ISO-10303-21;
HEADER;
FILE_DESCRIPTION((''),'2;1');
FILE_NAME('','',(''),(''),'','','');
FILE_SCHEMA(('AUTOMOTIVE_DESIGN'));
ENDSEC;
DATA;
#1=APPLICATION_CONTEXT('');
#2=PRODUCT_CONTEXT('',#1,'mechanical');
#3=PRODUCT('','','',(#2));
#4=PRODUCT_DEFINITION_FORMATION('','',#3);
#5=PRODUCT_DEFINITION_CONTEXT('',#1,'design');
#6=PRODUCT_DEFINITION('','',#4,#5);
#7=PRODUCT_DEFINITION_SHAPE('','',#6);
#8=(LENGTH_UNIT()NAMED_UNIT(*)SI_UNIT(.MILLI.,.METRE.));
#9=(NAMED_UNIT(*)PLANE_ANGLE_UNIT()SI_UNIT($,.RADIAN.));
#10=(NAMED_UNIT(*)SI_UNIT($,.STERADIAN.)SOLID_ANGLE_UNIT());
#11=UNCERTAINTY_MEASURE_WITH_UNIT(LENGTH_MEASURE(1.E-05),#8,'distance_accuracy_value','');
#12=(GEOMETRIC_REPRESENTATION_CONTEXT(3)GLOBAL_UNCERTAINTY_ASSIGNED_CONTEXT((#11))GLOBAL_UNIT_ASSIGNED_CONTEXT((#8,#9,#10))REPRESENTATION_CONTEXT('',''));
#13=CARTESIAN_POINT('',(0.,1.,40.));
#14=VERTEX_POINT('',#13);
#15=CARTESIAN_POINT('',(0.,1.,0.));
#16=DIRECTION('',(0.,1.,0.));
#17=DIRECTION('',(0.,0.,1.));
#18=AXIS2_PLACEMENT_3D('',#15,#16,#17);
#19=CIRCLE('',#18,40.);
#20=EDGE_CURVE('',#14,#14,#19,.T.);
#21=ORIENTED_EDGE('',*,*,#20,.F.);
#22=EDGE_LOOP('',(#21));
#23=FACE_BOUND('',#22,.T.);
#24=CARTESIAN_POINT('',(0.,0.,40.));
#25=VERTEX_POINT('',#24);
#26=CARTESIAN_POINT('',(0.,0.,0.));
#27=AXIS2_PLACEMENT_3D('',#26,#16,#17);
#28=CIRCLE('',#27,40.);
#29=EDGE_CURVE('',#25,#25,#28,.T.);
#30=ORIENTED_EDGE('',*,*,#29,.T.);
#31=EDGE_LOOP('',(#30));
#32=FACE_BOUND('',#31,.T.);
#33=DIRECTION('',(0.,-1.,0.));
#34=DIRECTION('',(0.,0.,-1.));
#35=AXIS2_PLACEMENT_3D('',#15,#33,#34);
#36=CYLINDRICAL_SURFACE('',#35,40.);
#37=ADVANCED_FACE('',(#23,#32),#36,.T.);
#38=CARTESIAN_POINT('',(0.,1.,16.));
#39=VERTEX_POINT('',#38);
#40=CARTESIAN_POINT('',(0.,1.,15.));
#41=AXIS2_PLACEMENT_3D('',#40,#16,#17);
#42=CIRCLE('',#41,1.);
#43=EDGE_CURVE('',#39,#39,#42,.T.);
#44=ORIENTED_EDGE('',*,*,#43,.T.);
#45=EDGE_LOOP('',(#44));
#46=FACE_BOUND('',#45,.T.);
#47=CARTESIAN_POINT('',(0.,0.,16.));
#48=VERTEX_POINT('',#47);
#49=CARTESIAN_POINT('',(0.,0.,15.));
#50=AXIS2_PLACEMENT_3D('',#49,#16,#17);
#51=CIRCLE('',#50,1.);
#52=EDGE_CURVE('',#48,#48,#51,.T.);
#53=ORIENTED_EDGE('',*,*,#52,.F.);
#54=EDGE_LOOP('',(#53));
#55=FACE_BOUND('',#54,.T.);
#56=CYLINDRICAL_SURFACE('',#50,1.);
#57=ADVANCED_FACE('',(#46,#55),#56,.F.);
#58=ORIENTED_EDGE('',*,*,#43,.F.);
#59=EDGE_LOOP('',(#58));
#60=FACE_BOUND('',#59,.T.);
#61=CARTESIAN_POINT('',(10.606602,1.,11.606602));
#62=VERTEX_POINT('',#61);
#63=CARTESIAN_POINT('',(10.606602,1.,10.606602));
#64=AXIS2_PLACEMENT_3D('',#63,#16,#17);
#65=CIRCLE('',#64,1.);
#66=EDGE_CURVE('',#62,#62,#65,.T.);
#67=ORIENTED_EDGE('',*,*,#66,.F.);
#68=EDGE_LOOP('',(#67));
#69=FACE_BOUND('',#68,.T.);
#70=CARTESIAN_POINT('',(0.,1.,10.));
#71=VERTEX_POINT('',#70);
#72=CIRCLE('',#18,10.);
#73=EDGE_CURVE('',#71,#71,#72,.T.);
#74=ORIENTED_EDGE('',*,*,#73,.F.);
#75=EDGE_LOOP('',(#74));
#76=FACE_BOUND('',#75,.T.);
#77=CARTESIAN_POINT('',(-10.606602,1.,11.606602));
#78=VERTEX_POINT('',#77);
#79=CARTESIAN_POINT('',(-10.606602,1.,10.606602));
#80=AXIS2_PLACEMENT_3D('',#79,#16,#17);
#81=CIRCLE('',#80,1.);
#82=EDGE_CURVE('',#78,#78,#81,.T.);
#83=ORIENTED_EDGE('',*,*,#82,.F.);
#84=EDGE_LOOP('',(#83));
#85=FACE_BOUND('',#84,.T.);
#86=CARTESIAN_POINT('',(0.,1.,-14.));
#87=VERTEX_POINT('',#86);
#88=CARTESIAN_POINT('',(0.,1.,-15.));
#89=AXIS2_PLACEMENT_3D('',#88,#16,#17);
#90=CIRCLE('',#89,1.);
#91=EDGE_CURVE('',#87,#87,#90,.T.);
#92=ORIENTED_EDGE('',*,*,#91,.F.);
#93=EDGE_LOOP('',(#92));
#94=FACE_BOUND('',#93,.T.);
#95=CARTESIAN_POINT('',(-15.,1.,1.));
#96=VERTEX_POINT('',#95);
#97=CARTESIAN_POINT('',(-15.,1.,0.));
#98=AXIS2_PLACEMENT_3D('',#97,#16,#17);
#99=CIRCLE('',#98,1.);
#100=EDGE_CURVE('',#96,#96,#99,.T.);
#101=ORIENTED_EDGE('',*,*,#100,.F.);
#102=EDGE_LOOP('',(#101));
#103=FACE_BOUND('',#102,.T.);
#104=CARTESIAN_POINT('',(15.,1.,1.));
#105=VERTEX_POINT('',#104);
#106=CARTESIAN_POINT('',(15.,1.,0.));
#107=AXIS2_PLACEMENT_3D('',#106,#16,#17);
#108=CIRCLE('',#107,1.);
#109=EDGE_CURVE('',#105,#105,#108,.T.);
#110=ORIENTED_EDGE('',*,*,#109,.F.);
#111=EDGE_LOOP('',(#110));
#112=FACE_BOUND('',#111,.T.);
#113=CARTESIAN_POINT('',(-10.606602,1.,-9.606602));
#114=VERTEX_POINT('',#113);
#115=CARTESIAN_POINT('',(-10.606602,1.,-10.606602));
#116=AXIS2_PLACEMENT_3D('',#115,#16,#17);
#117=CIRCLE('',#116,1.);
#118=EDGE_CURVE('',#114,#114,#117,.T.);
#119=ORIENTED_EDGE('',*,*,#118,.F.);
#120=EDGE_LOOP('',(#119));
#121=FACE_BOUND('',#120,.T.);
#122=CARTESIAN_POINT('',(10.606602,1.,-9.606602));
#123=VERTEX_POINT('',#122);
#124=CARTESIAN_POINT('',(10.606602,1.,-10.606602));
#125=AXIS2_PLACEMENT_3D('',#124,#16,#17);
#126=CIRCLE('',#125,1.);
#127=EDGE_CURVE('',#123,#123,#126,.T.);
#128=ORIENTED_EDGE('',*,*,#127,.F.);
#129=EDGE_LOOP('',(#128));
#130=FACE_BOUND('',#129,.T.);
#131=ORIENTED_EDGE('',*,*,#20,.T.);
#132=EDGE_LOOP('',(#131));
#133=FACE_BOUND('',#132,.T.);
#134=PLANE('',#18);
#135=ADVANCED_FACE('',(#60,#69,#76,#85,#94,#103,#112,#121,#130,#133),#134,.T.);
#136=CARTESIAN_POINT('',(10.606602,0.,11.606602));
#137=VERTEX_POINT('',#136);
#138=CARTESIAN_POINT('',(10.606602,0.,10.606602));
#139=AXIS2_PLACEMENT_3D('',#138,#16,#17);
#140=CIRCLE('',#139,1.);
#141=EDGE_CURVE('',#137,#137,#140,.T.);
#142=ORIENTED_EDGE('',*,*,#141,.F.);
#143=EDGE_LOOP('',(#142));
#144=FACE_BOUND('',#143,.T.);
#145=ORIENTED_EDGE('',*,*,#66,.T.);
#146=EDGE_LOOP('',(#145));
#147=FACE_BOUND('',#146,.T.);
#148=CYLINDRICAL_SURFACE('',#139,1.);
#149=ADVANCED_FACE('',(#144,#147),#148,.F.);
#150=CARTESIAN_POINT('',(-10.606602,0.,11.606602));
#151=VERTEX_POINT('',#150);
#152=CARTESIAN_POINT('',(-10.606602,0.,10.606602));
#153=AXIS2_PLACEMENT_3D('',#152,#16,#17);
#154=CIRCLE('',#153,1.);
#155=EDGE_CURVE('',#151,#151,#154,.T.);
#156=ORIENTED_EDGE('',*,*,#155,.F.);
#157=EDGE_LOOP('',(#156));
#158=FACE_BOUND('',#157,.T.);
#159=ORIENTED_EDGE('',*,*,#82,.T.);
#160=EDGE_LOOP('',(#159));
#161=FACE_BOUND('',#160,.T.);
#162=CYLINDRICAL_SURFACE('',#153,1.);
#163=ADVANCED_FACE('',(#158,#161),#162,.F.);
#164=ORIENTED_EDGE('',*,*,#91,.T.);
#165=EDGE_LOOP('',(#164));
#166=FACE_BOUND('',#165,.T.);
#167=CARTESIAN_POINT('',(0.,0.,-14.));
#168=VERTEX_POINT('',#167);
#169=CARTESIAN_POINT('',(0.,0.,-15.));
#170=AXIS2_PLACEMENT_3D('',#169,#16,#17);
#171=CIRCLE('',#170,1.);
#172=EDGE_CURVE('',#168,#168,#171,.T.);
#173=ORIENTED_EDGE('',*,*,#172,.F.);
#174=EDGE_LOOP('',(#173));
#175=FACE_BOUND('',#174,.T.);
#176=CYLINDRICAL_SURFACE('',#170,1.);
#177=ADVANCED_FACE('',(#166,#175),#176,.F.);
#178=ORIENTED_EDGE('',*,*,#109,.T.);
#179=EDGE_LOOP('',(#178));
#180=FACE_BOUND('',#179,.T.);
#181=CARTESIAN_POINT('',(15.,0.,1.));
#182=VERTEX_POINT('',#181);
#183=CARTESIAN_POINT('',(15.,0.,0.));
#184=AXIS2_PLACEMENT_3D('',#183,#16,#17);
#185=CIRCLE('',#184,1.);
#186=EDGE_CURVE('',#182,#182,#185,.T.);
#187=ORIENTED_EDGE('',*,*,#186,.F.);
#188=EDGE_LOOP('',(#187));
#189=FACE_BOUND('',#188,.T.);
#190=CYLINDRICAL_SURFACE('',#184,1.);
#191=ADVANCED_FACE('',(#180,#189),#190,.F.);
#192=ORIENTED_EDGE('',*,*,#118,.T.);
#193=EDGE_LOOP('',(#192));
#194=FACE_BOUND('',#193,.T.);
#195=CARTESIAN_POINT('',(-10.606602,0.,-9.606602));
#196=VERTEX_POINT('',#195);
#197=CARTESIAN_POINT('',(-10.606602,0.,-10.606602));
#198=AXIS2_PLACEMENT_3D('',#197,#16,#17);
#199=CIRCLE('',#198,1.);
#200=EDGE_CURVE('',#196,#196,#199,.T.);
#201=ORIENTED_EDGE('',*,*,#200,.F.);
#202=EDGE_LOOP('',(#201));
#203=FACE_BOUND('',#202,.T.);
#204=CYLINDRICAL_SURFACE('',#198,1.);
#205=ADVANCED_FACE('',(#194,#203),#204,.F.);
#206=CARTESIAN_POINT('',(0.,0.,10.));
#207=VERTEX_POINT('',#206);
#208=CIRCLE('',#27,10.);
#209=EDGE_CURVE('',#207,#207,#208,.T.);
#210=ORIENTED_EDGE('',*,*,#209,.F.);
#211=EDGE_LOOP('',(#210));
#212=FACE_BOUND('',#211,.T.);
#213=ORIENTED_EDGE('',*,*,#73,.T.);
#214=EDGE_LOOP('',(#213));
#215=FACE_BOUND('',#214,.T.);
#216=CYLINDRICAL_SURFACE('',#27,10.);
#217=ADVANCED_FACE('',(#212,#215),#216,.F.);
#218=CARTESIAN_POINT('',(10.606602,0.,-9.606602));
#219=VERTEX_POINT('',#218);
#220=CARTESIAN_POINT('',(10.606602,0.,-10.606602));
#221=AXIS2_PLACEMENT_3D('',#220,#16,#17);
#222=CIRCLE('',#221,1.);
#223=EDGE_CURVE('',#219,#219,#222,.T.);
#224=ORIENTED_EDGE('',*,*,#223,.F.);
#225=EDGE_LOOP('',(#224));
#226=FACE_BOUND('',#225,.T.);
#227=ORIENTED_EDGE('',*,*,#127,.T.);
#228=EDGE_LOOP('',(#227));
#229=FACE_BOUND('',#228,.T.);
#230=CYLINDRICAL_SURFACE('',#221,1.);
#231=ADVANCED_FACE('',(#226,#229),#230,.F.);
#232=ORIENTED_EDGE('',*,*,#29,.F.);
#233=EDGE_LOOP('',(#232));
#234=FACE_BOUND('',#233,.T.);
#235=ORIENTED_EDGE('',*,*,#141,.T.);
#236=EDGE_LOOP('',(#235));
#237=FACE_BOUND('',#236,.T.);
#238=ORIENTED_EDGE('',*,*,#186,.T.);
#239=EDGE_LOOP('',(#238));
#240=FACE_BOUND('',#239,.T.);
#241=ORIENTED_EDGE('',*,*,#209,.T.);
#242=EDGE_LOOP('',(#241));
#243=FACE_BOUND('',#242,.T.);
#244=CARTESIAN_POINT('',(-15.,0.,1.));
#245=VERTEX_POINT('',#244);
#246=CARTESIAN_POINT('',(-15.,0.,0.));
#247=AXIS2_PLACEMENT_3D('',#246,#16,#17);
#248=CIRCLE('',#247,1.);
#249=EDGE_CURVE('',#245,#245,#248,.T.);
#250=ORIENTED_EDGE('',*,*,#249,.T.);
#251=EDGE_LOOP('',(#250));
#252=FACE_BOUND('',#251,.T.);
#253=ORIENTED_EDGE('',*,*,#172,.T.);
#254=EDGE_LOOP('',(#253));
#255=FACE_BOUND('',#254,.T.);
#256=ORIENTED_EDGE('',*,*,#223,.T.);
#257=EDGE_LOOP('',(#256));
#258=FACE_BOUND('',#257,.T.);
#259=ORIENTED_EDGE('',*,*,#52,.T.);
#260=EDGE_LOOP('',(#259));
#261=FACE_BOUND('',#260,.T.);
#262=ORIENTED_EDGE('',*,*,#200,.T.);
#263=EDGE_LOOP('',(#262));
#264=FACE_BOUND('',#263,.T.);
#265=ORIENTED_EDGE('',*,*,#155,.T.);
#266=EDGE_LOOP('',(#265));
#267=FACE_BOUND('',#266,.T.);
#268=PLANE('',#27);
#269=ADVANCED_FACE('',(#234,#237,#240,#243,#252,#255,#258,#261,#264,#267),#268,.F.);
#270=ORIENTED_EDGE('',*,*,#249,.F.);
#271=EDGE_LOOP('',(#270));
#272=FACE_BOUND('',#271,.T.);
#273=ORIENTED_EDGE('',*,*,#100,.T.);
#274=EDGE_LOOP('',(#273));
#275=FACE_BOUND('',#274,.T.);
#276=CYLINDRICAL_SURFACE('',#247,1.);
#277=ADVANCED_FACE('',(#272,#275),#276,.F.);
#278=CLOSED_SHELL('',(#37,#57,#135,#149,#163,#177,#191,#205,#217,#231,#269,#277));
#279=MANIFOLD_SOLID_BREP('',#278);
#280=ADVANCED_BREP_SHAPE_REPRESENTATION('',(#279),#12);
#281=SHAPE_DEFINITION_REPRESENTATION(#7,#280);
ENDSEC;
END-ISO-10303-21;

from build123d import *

# Parameters (mm, degrees)
SKETCH2_R           = 40
BOSS_EXTRUDE1_DEPTH = 1
SKETCH3_R           = 10
CUT_EXTRUDE1_DEPTH  = 2
SKETCH4_R           = 1
CUT_EXTRUDE2_DEPTH  = 2


with BuildPart() as part:
    # Sketch2 → Boss-Extrude1 (new body)
    with BuildSketch(Plane(origin=(0, 0, 0), x_dir=(1, 0, 0), z_dir=(0, 1, 0))):
        Circle(SKETCH2_R)
    extrude(amount=BOSS_EXTRUDE1_DEPTH)

    # Sketch3 → Cut-Extrude1 (cut, through all)
    with BuildSketch(Plane(origin=(0, 1, 0), x_dir=(1, 0, 0), z_dir=(0, 1, 0))):
        Circle(SKETCH3_R)
    extrude(amount=-CUT_EXTRUDE1_DEPTH, mode=Mode.SUBTRACT)

    # Sketch4 → Cut-Extrude2 (cut, through all)
    with BuildSketch(Plane(origin=(0, 1, 0), x_dir=(1, 0, 0), z_dir=(0, 1, 0))):
        with Locations((0, 15)):
            Circle(SKETCH4_R)
        with Locations((10.606601718, 10.606601718)):
            Circle(SKETCH4_R)
        with Locations((15, 0)):
            Circle(SKETCH4_R)
        with Locations((10.606601718, -10.606601718)):
            Circle(SKETCH4_R)
        with Locations((0, -15)):
            Circle(SKETCH4_R)
        with Locations((-10.606601718, -10.606601718)):
            Circle(SKETCH4_R)
        with Locations((-15, 0)):
            Circle(SKETCH4_R)
        with Locations((-10.606601718, 10.606601718)):
            Circle(SKETCH4_R)
    extrude(amount=-CUT_EXTRUDE2_DEPTH, mode=Mode.SUBTRACT)


solid = part.part
